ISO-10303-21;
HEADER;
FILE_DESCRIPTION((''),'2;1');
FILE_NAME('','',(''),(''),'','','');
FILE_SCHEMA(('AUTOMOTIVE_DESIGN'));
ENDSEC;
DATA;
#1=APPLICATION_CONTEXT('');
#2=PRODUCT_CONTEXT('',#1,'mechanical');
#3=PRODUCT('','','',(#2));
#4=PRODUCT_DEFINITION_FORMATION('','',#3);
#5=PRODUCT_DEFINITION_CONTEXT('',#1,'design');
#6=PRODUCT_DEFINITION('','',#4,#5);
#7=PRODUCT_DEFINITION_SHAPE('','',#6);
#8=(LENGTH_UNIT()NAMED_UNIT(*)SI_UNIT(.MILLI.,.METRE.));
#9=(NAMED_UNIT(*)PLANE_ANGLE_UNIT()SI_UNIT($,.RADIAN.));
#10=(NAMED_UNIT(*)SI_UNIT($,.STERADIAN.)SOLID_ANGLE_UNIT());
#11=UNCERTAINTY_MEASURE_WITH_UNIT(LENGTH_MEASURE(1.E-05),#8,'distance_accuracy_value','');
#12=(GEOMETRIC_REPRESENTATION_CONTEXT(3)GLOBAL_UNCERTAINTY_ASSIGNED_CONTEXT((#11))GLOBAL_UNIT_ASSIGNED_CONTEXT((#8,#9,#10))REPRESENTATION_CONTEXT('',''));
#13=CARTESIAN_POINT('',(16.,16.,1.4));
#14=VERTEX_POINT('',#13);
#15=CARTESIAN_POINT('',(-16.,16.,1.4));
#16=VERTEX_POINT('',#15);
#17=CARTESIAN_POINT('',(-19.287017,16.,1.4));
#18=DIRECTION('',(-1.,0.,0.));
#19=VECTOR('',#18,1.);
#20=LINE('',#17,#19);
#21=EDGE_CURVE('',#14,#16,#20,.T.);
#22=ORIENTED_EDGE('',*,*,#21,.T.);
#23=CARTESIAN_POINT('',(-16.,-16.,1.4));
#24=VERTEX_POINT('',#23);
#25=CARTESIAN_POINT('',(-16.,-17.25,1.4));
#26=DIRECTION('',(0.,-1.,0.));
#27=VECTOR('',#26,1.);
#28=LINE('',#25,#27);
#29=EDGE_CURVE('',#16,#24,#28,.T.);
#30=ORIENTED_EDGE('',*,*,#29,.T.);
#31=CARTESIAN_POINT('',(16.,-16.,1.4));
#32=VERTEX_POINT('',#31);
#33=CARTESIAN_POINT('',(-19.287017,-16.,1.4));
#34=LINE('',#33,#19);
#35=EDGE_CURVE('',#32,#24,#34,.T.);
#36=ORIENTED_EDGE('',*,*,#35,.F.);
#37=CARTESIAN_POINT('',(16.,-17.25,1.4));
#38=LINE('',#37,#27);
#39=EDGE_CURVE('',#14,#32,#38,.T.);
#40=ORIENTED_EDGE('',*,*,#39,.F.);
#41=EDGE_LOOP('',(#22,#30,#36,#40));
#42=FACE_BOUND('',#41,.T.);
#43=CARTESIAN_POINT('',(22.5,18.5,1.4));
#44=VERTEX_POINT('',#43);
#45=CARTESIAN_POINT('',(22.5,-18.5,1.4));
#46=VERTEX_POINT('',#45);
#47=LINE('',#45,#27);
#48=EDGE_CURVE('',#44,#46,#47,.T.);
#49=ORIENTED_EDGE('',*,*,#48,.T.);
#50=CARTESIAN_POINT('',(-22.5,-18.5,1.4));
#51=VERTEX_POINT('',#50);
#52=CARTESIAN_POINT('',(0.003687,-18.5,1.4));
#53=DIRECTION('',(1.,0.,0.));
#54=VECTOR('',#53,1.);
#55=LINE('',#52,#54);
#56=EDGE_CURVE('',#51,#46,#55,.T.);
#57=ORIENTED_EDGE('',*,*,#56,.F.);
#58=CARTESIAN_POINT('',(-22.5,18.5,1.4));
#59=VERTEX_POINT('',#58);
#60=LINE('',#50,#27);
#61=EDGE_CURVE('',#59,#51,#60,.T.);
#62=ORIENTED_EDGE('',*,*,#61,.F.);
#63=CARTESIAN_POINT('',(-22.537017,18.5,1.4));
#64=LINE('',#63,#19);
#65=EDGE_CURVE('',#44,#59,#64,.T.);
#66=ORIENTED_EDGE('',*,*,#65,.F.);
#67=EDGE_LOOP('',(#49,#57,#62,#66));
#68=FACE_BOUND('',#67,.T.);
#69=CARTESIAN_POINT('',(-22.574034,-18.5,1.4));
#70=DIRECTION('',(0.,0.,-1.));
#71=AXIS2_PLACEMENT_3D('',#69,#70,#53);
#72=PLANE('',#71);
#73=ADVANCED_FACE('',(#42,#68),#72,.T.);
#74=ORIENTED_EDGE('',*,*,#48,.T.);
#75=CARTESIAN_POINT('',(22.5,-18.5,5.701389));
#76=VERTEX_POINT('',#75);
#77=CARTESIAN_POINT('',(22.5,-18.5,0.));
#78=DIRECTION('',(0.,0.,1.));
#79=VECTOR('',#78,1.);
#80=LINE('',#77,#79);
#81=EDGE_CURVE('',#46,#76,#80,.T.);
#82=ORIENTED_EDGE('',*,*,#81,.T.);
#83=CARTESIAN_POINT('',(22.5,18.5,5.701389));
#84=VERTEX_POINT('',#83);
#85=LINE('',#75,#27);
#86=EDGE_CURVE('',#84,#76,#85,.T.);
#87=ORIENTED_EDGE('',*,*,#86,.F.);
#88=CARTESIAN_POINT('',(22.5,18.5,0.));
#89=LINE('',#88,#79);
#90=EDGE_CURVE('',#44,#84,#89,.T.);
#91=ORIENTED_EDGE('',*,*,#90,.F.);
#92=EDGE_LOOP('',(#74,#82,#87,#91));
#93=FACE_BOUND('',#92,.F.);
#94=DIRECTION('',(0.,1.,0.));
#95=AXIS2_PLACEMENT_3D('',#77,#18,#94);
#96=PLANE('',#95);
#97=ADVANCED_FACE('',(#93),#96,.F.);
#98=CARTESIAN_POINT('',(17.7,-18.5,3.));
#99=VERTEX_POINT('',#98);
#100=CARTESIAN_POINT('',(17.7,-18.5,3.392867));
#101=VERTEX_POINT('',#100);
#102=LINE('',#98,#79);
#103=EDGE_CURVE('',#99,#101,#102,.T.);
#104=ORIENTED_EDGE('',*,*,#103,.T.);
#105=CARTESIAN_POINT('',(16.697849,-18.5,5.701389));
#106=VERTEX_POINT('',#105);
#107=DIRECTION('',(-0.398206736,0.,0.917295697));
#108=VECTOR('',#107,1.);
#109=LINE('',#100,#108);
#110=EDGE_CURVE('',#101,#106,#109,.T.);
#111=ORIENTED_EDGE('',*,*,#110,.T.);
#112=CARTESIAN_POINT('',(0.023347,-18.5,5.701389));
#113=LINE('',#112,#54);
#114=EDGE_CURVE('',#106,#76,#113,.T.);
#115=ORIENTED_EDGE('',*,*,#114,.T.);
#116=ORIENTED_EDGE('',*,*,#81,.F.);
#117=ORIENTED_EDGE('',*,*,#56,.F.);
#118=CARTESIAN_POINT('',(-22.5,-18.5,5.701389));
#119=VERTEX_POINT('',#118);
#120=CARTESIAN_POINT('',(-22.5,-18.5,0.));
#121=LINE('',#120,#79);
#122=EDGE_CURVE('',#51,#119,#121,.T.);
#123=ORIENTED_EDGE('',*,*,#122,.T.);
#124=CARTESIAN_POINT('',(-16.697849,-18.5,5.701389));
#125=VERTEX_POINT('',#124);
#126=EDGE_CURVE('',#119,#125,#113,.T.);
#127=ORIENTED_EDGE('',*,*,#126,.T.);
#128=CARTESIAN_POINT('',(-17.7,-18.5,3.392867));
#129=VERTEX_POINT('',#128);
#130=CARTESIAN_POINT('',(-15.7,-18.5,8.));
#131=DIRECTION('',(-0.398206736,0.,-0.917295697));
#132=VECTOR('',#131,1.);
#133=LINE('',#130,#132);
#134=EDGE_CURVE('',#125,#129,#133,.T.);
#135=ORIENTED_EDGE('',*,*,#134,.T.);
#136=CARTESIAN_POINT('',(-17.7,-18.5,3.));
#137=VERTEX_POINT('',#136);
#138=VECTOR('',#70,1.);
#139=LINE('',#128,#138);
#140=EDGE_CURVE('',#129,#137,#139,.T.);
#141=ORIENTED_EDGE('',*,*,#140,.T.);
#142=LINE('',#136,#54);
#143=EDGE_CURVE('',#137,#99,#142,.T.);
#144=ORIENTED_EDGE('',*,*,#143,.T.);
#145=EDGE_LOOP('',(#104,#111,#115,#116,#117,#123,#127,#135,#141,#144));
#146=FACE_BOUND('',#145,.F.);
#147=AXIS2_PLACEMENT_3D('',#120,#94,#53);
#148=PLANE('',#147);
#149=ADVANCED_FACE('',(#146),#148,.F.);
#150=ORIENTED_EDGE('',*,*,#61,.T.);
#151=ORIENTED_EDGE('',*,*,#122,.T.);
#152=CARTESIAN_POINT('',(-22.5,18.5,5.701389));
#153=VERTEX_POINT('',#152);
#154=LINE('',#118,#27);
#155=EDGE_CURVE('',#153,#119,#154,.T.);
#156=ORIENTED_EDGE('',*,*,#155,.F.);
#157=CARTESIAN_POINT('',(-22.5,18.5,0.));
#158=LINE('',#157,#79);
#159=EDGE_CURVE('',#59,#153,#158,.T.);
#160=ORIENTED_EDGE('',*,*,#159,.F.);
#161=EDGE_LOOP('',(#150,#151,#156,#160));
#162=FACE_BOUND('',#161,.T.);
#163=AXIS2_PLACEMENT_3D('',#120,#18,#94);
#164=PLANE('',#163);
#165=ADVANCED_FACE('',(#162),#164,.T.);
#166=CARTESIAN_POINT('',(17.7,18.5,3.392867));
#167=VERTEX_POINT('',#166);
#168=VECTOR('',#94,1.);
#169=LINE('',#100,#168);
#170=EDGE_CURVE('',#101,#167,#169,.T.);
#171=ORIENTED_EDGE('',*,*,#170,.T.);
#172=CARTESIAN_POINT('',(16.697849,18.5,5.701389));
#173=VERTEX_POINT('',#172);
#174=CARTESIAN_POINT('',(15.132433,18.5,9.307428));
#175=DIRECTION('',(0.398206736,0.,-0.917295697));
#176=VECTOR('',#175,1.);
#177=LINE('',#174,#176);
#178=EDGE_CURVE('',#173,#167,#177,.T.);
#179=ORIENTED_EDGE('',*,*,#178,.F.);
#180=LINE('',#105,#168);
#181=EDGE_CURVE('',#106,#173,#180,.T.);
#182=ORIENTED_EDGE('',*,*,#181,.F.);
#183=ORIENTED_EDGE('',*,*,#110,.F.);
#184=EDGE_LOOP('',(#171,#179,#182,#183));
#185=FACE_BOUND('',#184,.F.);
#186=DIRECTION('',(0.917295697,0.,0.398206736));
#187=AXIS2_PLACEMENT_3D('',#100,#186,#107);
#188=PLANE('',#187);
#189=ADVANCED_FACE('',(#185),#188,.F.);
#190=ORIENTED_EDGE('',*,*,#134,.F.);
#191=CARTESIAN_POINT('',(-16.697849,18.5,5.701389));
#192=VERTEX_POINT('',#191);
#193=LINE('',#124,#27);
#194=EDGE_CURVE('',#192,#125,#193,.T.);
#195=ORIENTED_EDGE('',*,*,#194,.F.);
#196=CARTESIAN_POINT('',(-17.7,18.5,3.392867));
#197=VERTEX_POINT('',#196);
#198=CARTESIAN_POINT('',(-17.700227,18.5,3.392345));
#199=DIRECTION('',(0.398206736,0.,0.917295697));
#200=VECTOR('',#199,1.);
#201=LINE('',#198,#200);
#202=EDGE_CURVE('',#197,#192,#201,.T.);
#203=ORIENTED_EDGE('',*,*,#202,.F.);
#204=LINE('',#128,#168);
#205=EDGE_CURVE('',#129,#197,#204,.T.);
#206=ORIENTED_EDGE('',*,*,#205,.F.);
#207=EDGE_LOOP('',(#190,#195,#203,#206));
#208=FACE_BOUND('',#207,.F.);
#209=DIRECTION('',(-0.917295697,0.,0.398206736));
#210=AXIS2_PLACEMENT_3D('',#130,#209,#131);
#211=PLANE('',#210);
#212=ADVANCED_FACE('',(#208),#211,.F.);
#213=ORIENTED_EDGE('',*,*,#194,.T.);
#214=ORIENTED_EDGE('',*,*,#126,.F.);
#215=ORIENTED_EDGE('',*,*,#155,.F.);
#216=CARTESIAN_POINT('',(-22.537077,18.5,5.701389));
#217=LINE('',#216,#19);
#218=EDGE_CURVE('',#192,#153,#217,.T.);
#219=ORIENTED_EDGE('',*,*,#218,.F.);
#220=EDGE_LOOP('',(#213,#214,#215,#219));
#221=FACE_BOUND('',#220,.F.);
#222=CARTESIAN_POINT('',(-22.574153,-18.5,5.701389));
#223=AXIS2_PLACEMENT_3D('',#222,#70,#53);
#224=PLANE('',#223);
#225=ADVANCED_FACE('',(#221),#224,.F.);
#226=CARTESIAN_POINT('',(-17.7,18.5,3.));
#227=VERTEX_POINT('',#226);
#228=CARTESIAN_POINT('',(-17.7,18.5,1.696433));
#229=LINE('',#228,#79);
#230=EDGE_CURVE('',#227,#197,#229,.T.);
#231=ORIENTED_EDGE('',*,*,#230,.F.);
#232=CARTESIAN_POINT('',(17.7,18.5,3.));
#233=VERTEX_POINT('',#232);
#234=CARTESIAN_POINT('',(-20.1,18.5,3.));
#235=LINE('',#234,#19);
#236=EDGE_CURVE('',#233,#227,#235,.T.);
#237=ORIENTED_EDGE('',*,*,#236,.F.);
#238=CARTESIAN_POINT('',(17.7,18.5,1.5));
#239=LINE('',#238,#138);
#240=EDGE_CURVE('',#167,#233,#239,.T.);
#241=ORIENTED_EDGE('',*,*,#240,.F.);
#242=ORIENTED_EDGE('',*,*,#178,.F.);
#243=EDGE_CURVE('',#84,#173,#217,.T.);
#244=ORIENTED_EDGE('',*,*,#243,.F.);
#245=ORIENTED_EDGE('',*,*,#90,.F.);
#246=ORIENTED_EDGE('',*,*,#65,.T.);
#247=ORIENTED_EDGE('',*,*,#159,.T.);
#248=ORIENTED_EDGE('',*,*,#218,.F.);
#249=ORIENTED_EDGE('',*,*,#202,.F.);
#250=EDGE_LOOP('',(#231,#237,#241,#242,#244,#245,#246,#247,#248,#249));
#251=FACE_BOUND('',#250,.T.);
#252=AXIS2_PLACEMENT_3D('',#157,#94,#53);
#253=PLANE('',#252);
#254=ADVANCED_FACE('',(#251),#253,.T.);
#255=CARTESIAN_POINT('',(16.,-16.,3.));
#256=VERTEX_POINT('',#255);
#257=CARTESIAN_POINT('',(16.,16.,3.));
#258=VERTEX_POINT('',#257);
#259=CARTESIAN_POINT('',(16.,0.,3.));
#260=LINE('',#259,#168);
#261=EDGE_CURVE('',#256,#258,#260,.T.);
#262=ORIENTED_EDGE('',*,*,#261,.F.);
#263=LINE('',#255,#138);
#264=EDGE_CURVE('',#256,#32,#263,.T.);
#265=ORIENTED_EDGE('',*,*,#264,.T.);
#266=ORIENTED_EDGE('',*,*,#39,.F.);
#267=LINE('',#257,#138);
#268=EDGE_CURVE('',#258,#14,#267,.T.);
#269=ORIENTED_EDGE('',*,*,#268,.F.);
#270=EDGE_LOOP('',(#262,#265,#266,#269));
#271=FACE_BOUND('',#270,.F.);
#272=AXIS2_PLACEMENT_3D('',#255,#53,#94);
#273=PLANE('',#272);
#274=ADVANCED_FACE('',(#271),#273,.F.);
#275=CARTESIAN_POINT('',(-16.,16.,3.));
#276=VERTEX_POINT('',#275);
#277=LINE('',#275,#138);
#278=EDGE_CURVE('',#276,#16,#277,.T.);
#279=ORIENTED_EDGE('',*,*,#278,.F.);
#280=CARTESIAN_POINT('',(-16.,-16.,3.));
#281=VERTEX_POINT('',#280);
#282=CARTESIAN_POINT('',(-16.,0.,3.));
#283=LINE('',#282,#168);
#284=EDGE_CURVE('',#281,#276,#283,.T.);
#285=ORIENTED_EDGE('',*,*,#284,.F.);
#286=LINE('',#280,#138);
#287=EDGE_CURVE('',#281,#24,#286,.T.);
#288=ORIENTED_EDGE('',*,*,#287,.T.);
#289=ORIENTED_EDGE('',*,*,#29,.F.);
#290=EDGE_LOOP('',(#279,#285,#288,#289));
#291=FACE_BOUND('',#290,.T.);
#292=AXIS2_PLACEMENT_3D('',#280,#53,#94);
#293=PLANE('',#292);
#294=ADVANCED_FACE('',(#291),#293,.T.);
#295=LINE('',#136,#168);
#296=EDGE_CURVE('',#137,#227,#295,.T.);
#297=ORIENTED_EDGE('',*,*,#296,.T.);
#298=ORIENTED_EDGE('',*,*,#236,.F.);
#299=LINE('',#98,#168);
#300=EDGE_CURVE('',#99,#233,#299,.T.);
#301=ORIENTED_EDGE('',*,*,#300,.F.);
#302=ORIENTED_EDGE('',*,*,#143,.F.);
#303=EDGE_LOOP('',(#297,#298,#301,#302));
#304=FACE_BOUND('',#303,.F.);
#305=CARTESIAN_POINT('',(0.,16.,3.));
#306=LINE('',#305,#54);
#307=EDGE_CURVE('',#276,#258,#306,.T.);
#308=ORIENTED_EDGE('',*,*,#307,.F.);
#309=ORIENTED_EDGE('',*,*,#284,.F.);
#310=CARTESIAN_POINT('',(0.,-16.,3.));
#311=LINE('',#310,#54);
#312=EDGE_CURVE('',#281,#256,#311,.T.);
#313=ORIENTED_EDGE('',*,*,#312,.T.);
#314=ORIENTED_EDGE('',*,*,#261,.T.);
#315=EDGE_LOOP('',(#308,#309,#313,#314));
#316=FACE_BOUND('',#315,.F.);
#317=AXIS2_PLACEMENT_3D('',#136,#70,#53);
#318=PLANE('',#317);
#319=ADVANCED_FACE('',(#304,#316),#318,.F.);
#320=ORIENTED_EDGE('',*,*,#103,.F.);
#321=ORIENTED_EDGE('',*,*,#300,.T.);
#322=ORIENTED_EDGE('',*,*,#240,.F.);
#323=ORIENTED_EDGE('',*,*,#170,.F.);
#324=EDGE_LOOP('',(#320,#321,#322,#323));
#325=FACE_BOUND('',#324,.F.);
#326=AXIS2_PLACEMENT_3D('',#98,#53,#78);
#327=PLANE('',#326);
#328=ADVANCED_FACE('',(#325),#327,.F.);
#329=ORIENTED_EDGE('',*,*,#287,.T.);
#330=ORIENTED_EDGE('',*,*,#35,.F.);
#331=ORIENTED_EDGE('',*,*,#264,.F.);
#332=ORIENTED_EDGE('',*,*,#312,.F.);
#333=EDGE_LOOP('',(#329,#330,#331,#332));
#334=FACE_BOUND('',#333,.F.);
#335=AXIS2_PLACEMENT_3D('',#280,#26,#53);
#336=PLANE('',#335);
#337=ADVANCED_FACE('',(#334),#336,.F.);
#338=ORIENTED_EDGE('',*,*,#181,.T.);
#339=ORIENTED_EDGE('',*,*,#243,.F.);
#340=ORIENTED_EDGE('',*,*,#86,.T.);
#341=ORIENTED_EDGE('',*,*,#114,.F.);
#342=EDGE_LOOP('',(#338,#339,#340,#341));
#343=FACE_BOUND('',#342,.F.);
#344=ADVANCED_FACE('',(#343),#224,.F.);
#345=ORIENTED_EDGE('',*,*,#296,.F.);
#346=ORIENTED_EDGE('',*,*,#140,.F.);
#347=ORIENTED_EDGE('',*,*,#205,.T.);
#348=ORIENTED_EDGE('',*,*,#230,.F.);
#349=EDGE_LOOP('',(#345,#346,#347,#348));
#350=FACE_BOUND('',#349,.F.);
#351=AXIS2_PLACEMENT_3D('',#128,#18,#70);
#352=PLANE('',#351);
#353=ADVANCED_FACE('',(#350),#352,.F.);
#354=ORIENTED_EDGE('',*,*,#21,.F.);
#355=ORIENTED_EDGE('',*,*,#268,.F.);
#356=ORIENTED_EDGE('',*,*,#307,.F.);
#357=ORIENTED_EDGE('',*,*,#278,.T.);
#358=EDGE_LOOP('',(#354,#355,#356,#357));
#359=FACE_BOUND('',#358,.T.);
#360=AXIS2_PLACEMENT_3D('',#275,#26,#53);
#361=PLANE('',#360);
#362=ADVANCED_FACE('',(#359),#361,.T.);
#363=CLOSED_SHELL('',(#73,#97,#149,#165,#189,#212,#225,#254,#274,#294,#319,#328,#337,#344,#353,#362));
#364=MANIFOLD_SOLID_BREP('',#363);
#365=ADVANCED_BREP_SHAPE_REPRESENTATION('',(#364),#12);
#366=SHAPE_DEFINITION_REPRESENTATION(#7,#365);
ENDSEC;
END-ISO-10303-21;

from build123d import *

# Parameters (mm, degrees)
F0_W     = 45
F0_H     = 37
F1_DEPTH = 8
F3_DEPTH = 37.001
F4_W     = 45.155443
F4_H     = 1.4
F4_W_2   = 45.195
F4_H_2   = 2.4
F5_DEPTH = 37.001
F6_W     = 32
F6_H     = 32
F7_DEPTH = 1.601


with BuildPart() as f1:
    # F0 (on Top) → F1 (new body)
    with BuildSketch(Plane.XY):
        Rectangle(F0_W, F0_H)
    extrude(amount=F1_DEPTH)

    # F2 (on face) → F3 (cut, through all)
    with BuildSketch(Plane.XZ.offset(18.5)):
        Polygon((15.7, 8), (-15.7, 8), (-17.7, 3.392867), (-17.7, 3), (17.7, 3), (17.7, 3.392867), align=None)
    extrude(amount=-F3_DEPTH, mode=Mode.SUBTRACT)

    # F4 (on face) → F5 (cut, through all)
    with BuildSketch(Plane.XZ.offset(18.5)):
        with Locations((0.003687, 0.7)):
            Rectangle(F4_W, F4_H)
        with Locations((0.023347, 6.901389)):
            Rectangle(F4_W_2, F4_H_2)
    extrude(amount=-F5_DEPTH, mode=Mode.SUBTRACT)

    # F6 (on face) → F7 (cut, through all)
    with BuildSketch(Plane.XY.offset(3)):
        Rectangle(F6_W, F6_H)
    extrude(amount=-F7_DEPTH, mode=Mode.SUBTRACT)


solid = f1.part
